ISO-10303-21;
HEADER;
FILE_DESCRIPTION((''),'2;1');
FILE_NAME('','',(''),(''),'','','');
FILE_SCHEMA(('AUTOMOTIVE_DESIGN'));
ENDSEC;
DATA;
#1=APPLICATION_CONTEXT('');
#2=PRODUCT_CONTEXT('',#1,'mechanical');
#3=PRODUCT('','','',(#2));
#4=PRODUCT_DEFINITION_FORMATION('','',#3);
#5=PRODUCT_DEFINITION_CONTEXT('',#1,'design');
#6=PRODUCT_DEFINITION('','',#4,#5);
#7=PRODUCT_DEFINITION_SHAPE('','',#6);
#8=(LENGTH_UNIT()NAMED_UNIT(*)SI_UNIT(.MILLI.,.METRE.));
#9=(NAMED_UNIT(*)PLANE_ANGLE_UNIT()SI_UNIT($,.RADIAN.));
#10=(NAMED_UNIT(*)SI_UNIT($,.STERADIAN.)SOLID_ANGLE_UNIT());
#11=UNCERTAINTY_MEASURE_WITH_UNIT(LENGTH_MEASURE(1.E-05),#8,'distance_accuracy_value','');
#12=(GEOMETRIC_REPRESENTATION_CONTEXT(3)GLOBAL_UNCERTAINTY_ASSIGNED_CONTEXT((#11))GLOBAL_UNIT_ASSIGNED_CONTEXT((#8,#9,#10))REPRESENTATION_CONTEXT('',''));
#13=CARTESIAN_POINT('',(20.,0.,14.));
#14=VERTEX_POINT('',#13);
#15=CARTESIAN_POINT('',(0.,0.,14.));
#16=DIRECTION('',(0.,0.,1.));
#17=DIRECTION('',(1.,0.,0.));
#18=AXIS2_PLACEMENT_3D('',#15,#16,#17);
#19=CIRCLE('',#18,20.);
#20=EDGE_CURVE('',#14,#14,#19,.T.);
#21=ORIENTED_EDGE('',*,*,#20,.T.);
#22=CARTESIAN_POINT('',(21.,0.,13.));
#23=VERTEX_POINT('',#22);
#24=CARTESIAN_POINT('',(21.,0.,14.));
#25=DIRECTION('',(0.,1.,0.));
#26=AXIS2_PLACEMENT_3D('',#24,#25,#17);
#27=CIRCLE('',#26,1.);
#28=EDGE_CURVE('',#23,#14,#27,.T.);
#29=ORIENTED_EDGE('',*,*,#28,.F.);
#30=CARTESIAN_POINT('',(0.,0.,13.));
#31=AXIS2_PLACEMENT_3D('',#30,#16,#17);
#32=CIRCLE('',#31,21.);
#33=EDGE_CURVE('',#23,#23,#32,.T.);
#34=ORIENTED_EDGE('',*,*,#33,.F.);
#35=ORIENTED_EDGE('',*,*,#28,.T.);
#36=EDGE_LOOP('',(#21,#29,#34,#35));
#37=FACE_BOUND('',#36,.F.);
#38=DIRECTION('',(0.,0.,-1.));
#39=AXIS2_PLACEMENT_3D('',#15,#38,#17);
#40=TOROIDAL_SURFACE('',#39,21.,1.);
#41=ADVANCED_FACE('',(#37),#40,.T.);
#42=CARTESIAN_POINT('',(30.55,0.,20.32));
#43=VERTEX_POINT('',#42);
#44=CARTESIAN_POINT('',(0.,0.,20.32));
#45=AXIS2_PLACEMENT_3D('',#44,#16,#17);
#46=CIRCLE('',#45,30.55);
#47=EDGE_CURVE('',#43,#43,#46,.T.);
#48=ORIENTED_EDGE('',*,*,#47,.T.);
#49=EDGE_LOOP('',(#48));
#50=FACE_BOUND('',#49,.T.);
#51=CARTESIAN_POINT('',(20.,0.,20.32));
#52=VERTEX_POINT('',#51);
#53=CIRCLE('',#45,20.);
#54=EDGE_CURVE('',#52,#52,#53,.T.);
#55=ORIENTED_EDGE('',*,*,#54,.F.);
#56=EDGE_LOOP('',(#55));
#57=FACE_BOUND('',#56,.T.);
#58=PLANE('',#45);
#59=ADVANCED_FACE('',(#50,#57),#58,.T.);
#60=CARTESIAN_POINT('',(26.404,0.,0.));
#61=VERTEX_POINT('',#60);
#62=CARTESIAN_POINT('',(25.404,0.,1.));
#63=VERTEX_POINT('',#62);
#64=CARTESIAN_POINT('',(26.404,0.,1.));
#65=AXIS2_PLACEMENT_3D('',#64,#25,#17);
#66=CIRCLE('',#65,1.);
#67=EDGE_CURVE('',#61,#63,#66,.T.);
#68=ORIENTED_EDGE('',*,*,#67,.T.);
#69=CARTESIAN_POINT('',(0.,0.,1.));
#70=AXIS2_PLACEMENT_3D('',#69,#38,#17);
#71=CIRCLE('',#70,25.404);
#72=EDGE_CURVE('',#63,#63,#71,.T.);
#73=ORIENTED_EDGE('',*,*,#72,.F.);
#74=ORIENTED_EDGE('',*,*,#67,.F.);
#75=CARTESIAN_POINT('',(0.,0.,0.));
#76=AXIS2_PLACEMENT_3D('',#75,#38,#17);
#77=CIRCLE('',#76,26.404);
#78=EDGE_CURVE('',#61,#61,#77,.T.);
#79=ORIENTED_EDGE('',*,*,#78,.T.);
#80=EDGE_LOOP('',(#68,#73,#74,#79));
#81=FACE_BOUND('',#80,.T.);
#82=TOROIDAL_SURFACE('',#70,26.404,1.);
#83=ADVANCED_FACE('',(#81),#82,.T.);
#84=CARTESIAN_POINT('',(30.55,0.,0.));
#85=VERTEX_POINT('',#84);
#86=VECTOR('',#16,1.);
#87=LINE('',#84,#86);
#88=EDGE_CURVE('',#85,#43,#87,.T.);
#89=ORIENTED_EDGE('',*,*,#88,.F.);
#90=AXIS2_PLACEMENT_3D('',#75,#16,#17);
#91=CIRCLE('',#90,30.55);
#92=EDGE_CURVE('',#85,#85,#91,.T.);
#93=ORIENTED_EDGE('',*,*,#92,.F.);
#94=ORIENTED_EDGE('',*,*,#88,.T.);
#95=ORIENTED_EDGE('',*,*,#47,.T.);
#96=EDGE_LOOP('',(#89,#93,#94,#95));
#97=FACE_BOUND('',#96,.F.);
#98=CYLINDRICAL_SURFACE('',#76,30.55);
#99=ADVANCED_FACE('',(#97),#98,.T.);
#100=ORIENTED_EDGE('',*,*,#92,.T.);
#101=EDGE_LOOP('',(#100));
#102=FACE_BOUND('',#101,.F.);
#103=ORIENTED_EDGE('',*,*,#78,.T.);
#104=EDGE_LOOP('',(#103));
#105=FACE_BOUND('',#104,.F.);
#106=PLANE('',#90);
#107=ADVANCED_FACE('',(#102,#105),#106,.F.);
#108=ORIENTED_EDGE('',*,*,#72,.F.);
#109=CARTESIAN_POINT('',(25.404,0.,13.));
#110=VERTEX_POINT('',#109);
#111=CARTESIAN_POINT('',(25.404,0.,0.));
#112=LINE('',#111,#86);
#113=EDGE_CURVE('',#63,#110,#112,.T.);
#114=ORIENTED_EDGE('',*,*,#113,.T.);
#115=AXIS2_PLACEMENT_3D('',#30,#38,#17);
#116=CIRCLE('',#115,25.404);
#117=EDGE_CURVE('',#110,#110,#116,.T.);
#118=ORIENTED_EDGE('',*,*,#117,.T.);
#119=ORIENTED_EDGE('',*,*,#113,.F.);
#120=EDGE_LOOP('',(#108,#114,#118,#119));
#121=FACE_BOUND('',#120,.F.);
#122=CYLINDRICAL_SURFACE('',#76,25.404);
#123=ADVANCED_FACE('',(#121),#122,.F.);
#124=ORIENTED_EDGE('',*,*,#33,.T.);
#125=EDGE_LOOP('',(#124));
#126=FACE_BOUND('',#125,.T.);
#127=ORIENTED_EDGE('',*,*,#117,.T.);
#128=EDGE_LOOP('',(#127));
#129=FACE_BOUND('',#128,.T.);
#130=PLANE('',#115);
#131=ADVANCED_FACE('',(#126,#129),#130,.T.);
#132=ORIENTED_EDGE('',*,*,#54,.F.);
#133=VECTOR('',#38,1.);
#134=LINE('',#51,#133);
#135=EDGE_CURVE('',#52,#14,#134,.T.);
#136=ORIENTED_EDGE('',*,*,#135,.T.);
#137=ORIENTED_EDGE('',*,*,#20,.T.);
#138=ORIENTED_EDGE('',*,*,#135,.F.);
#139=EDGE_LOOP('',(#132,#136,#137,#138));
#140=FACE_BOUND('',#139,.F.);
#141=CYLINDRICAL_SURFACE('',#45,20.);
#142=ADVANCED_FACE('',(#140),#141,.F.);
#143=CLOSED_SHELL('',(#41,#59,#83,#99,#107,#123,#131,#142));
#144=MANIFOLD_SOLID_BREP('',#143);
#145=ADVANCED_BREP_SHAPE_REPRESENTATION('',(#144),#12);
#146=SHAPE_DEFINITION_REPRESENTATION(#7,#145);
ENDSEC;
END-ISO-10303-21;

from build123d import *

# Parameters (mm, degrees)
SKETCH1_R           = 30.55
BOSS_EXTRUDE1_DEPTH = 20.32
SKETCH2_R           = 25.404
CUT_EXTRUDE1_DEPTH  = 13
SKETCH3_R           = 20
CUT_EXTRUDE2_DEPTH  = 21.32
FILLET1_R           = 1
FILLET2_R           = 1


with BuildPart() as part:
    # Sketch1 → Boss-Extrude1 (new body)
    with BuildSketch(Plane.XY):
        Circle(SKETCH1_R)
    extrude(amount=BOSS_EXTRUDE1_DEPTH)

    # Sketch2 → Cut-Extrude1 (cut)
    with BuildSketch(Plane(origin=(0, 0, 0), x_dir=(1, 0, 0), z_dir=(0, 0, -1))):
        Circle(SKETCH2_R)
    extrude(amount=-CUT_EXTRUDE1_DEPTH, mode=Mode.SUBTRACT)

    # Sketch3 → Cut-Extrude2 (cut, through all)
    with BuildSketch(Plane.XY.offset(20.32)):
        Circle(SKETCH3_R)
    extrude(amount=-CUT_EXTRUDE2_DEPTH, mode=Mode.SUBTRACT)

    # Fillet1
    fillet1_edges = [part.edges().sort_by_distance(p)[0] for p in [
        (-25.404, 0, 0),
    ]]
    fillet(fillet1_edges, radius=FILLET1_R)

    # Fillet2
    fillet2_edges = [part.edges().sort_by_distance(p)[0] for p in [
        (-20, 0, 13),
    ]]
    fillet(fillet2_edges, radius=FILLET2_R)


solid = part.part
